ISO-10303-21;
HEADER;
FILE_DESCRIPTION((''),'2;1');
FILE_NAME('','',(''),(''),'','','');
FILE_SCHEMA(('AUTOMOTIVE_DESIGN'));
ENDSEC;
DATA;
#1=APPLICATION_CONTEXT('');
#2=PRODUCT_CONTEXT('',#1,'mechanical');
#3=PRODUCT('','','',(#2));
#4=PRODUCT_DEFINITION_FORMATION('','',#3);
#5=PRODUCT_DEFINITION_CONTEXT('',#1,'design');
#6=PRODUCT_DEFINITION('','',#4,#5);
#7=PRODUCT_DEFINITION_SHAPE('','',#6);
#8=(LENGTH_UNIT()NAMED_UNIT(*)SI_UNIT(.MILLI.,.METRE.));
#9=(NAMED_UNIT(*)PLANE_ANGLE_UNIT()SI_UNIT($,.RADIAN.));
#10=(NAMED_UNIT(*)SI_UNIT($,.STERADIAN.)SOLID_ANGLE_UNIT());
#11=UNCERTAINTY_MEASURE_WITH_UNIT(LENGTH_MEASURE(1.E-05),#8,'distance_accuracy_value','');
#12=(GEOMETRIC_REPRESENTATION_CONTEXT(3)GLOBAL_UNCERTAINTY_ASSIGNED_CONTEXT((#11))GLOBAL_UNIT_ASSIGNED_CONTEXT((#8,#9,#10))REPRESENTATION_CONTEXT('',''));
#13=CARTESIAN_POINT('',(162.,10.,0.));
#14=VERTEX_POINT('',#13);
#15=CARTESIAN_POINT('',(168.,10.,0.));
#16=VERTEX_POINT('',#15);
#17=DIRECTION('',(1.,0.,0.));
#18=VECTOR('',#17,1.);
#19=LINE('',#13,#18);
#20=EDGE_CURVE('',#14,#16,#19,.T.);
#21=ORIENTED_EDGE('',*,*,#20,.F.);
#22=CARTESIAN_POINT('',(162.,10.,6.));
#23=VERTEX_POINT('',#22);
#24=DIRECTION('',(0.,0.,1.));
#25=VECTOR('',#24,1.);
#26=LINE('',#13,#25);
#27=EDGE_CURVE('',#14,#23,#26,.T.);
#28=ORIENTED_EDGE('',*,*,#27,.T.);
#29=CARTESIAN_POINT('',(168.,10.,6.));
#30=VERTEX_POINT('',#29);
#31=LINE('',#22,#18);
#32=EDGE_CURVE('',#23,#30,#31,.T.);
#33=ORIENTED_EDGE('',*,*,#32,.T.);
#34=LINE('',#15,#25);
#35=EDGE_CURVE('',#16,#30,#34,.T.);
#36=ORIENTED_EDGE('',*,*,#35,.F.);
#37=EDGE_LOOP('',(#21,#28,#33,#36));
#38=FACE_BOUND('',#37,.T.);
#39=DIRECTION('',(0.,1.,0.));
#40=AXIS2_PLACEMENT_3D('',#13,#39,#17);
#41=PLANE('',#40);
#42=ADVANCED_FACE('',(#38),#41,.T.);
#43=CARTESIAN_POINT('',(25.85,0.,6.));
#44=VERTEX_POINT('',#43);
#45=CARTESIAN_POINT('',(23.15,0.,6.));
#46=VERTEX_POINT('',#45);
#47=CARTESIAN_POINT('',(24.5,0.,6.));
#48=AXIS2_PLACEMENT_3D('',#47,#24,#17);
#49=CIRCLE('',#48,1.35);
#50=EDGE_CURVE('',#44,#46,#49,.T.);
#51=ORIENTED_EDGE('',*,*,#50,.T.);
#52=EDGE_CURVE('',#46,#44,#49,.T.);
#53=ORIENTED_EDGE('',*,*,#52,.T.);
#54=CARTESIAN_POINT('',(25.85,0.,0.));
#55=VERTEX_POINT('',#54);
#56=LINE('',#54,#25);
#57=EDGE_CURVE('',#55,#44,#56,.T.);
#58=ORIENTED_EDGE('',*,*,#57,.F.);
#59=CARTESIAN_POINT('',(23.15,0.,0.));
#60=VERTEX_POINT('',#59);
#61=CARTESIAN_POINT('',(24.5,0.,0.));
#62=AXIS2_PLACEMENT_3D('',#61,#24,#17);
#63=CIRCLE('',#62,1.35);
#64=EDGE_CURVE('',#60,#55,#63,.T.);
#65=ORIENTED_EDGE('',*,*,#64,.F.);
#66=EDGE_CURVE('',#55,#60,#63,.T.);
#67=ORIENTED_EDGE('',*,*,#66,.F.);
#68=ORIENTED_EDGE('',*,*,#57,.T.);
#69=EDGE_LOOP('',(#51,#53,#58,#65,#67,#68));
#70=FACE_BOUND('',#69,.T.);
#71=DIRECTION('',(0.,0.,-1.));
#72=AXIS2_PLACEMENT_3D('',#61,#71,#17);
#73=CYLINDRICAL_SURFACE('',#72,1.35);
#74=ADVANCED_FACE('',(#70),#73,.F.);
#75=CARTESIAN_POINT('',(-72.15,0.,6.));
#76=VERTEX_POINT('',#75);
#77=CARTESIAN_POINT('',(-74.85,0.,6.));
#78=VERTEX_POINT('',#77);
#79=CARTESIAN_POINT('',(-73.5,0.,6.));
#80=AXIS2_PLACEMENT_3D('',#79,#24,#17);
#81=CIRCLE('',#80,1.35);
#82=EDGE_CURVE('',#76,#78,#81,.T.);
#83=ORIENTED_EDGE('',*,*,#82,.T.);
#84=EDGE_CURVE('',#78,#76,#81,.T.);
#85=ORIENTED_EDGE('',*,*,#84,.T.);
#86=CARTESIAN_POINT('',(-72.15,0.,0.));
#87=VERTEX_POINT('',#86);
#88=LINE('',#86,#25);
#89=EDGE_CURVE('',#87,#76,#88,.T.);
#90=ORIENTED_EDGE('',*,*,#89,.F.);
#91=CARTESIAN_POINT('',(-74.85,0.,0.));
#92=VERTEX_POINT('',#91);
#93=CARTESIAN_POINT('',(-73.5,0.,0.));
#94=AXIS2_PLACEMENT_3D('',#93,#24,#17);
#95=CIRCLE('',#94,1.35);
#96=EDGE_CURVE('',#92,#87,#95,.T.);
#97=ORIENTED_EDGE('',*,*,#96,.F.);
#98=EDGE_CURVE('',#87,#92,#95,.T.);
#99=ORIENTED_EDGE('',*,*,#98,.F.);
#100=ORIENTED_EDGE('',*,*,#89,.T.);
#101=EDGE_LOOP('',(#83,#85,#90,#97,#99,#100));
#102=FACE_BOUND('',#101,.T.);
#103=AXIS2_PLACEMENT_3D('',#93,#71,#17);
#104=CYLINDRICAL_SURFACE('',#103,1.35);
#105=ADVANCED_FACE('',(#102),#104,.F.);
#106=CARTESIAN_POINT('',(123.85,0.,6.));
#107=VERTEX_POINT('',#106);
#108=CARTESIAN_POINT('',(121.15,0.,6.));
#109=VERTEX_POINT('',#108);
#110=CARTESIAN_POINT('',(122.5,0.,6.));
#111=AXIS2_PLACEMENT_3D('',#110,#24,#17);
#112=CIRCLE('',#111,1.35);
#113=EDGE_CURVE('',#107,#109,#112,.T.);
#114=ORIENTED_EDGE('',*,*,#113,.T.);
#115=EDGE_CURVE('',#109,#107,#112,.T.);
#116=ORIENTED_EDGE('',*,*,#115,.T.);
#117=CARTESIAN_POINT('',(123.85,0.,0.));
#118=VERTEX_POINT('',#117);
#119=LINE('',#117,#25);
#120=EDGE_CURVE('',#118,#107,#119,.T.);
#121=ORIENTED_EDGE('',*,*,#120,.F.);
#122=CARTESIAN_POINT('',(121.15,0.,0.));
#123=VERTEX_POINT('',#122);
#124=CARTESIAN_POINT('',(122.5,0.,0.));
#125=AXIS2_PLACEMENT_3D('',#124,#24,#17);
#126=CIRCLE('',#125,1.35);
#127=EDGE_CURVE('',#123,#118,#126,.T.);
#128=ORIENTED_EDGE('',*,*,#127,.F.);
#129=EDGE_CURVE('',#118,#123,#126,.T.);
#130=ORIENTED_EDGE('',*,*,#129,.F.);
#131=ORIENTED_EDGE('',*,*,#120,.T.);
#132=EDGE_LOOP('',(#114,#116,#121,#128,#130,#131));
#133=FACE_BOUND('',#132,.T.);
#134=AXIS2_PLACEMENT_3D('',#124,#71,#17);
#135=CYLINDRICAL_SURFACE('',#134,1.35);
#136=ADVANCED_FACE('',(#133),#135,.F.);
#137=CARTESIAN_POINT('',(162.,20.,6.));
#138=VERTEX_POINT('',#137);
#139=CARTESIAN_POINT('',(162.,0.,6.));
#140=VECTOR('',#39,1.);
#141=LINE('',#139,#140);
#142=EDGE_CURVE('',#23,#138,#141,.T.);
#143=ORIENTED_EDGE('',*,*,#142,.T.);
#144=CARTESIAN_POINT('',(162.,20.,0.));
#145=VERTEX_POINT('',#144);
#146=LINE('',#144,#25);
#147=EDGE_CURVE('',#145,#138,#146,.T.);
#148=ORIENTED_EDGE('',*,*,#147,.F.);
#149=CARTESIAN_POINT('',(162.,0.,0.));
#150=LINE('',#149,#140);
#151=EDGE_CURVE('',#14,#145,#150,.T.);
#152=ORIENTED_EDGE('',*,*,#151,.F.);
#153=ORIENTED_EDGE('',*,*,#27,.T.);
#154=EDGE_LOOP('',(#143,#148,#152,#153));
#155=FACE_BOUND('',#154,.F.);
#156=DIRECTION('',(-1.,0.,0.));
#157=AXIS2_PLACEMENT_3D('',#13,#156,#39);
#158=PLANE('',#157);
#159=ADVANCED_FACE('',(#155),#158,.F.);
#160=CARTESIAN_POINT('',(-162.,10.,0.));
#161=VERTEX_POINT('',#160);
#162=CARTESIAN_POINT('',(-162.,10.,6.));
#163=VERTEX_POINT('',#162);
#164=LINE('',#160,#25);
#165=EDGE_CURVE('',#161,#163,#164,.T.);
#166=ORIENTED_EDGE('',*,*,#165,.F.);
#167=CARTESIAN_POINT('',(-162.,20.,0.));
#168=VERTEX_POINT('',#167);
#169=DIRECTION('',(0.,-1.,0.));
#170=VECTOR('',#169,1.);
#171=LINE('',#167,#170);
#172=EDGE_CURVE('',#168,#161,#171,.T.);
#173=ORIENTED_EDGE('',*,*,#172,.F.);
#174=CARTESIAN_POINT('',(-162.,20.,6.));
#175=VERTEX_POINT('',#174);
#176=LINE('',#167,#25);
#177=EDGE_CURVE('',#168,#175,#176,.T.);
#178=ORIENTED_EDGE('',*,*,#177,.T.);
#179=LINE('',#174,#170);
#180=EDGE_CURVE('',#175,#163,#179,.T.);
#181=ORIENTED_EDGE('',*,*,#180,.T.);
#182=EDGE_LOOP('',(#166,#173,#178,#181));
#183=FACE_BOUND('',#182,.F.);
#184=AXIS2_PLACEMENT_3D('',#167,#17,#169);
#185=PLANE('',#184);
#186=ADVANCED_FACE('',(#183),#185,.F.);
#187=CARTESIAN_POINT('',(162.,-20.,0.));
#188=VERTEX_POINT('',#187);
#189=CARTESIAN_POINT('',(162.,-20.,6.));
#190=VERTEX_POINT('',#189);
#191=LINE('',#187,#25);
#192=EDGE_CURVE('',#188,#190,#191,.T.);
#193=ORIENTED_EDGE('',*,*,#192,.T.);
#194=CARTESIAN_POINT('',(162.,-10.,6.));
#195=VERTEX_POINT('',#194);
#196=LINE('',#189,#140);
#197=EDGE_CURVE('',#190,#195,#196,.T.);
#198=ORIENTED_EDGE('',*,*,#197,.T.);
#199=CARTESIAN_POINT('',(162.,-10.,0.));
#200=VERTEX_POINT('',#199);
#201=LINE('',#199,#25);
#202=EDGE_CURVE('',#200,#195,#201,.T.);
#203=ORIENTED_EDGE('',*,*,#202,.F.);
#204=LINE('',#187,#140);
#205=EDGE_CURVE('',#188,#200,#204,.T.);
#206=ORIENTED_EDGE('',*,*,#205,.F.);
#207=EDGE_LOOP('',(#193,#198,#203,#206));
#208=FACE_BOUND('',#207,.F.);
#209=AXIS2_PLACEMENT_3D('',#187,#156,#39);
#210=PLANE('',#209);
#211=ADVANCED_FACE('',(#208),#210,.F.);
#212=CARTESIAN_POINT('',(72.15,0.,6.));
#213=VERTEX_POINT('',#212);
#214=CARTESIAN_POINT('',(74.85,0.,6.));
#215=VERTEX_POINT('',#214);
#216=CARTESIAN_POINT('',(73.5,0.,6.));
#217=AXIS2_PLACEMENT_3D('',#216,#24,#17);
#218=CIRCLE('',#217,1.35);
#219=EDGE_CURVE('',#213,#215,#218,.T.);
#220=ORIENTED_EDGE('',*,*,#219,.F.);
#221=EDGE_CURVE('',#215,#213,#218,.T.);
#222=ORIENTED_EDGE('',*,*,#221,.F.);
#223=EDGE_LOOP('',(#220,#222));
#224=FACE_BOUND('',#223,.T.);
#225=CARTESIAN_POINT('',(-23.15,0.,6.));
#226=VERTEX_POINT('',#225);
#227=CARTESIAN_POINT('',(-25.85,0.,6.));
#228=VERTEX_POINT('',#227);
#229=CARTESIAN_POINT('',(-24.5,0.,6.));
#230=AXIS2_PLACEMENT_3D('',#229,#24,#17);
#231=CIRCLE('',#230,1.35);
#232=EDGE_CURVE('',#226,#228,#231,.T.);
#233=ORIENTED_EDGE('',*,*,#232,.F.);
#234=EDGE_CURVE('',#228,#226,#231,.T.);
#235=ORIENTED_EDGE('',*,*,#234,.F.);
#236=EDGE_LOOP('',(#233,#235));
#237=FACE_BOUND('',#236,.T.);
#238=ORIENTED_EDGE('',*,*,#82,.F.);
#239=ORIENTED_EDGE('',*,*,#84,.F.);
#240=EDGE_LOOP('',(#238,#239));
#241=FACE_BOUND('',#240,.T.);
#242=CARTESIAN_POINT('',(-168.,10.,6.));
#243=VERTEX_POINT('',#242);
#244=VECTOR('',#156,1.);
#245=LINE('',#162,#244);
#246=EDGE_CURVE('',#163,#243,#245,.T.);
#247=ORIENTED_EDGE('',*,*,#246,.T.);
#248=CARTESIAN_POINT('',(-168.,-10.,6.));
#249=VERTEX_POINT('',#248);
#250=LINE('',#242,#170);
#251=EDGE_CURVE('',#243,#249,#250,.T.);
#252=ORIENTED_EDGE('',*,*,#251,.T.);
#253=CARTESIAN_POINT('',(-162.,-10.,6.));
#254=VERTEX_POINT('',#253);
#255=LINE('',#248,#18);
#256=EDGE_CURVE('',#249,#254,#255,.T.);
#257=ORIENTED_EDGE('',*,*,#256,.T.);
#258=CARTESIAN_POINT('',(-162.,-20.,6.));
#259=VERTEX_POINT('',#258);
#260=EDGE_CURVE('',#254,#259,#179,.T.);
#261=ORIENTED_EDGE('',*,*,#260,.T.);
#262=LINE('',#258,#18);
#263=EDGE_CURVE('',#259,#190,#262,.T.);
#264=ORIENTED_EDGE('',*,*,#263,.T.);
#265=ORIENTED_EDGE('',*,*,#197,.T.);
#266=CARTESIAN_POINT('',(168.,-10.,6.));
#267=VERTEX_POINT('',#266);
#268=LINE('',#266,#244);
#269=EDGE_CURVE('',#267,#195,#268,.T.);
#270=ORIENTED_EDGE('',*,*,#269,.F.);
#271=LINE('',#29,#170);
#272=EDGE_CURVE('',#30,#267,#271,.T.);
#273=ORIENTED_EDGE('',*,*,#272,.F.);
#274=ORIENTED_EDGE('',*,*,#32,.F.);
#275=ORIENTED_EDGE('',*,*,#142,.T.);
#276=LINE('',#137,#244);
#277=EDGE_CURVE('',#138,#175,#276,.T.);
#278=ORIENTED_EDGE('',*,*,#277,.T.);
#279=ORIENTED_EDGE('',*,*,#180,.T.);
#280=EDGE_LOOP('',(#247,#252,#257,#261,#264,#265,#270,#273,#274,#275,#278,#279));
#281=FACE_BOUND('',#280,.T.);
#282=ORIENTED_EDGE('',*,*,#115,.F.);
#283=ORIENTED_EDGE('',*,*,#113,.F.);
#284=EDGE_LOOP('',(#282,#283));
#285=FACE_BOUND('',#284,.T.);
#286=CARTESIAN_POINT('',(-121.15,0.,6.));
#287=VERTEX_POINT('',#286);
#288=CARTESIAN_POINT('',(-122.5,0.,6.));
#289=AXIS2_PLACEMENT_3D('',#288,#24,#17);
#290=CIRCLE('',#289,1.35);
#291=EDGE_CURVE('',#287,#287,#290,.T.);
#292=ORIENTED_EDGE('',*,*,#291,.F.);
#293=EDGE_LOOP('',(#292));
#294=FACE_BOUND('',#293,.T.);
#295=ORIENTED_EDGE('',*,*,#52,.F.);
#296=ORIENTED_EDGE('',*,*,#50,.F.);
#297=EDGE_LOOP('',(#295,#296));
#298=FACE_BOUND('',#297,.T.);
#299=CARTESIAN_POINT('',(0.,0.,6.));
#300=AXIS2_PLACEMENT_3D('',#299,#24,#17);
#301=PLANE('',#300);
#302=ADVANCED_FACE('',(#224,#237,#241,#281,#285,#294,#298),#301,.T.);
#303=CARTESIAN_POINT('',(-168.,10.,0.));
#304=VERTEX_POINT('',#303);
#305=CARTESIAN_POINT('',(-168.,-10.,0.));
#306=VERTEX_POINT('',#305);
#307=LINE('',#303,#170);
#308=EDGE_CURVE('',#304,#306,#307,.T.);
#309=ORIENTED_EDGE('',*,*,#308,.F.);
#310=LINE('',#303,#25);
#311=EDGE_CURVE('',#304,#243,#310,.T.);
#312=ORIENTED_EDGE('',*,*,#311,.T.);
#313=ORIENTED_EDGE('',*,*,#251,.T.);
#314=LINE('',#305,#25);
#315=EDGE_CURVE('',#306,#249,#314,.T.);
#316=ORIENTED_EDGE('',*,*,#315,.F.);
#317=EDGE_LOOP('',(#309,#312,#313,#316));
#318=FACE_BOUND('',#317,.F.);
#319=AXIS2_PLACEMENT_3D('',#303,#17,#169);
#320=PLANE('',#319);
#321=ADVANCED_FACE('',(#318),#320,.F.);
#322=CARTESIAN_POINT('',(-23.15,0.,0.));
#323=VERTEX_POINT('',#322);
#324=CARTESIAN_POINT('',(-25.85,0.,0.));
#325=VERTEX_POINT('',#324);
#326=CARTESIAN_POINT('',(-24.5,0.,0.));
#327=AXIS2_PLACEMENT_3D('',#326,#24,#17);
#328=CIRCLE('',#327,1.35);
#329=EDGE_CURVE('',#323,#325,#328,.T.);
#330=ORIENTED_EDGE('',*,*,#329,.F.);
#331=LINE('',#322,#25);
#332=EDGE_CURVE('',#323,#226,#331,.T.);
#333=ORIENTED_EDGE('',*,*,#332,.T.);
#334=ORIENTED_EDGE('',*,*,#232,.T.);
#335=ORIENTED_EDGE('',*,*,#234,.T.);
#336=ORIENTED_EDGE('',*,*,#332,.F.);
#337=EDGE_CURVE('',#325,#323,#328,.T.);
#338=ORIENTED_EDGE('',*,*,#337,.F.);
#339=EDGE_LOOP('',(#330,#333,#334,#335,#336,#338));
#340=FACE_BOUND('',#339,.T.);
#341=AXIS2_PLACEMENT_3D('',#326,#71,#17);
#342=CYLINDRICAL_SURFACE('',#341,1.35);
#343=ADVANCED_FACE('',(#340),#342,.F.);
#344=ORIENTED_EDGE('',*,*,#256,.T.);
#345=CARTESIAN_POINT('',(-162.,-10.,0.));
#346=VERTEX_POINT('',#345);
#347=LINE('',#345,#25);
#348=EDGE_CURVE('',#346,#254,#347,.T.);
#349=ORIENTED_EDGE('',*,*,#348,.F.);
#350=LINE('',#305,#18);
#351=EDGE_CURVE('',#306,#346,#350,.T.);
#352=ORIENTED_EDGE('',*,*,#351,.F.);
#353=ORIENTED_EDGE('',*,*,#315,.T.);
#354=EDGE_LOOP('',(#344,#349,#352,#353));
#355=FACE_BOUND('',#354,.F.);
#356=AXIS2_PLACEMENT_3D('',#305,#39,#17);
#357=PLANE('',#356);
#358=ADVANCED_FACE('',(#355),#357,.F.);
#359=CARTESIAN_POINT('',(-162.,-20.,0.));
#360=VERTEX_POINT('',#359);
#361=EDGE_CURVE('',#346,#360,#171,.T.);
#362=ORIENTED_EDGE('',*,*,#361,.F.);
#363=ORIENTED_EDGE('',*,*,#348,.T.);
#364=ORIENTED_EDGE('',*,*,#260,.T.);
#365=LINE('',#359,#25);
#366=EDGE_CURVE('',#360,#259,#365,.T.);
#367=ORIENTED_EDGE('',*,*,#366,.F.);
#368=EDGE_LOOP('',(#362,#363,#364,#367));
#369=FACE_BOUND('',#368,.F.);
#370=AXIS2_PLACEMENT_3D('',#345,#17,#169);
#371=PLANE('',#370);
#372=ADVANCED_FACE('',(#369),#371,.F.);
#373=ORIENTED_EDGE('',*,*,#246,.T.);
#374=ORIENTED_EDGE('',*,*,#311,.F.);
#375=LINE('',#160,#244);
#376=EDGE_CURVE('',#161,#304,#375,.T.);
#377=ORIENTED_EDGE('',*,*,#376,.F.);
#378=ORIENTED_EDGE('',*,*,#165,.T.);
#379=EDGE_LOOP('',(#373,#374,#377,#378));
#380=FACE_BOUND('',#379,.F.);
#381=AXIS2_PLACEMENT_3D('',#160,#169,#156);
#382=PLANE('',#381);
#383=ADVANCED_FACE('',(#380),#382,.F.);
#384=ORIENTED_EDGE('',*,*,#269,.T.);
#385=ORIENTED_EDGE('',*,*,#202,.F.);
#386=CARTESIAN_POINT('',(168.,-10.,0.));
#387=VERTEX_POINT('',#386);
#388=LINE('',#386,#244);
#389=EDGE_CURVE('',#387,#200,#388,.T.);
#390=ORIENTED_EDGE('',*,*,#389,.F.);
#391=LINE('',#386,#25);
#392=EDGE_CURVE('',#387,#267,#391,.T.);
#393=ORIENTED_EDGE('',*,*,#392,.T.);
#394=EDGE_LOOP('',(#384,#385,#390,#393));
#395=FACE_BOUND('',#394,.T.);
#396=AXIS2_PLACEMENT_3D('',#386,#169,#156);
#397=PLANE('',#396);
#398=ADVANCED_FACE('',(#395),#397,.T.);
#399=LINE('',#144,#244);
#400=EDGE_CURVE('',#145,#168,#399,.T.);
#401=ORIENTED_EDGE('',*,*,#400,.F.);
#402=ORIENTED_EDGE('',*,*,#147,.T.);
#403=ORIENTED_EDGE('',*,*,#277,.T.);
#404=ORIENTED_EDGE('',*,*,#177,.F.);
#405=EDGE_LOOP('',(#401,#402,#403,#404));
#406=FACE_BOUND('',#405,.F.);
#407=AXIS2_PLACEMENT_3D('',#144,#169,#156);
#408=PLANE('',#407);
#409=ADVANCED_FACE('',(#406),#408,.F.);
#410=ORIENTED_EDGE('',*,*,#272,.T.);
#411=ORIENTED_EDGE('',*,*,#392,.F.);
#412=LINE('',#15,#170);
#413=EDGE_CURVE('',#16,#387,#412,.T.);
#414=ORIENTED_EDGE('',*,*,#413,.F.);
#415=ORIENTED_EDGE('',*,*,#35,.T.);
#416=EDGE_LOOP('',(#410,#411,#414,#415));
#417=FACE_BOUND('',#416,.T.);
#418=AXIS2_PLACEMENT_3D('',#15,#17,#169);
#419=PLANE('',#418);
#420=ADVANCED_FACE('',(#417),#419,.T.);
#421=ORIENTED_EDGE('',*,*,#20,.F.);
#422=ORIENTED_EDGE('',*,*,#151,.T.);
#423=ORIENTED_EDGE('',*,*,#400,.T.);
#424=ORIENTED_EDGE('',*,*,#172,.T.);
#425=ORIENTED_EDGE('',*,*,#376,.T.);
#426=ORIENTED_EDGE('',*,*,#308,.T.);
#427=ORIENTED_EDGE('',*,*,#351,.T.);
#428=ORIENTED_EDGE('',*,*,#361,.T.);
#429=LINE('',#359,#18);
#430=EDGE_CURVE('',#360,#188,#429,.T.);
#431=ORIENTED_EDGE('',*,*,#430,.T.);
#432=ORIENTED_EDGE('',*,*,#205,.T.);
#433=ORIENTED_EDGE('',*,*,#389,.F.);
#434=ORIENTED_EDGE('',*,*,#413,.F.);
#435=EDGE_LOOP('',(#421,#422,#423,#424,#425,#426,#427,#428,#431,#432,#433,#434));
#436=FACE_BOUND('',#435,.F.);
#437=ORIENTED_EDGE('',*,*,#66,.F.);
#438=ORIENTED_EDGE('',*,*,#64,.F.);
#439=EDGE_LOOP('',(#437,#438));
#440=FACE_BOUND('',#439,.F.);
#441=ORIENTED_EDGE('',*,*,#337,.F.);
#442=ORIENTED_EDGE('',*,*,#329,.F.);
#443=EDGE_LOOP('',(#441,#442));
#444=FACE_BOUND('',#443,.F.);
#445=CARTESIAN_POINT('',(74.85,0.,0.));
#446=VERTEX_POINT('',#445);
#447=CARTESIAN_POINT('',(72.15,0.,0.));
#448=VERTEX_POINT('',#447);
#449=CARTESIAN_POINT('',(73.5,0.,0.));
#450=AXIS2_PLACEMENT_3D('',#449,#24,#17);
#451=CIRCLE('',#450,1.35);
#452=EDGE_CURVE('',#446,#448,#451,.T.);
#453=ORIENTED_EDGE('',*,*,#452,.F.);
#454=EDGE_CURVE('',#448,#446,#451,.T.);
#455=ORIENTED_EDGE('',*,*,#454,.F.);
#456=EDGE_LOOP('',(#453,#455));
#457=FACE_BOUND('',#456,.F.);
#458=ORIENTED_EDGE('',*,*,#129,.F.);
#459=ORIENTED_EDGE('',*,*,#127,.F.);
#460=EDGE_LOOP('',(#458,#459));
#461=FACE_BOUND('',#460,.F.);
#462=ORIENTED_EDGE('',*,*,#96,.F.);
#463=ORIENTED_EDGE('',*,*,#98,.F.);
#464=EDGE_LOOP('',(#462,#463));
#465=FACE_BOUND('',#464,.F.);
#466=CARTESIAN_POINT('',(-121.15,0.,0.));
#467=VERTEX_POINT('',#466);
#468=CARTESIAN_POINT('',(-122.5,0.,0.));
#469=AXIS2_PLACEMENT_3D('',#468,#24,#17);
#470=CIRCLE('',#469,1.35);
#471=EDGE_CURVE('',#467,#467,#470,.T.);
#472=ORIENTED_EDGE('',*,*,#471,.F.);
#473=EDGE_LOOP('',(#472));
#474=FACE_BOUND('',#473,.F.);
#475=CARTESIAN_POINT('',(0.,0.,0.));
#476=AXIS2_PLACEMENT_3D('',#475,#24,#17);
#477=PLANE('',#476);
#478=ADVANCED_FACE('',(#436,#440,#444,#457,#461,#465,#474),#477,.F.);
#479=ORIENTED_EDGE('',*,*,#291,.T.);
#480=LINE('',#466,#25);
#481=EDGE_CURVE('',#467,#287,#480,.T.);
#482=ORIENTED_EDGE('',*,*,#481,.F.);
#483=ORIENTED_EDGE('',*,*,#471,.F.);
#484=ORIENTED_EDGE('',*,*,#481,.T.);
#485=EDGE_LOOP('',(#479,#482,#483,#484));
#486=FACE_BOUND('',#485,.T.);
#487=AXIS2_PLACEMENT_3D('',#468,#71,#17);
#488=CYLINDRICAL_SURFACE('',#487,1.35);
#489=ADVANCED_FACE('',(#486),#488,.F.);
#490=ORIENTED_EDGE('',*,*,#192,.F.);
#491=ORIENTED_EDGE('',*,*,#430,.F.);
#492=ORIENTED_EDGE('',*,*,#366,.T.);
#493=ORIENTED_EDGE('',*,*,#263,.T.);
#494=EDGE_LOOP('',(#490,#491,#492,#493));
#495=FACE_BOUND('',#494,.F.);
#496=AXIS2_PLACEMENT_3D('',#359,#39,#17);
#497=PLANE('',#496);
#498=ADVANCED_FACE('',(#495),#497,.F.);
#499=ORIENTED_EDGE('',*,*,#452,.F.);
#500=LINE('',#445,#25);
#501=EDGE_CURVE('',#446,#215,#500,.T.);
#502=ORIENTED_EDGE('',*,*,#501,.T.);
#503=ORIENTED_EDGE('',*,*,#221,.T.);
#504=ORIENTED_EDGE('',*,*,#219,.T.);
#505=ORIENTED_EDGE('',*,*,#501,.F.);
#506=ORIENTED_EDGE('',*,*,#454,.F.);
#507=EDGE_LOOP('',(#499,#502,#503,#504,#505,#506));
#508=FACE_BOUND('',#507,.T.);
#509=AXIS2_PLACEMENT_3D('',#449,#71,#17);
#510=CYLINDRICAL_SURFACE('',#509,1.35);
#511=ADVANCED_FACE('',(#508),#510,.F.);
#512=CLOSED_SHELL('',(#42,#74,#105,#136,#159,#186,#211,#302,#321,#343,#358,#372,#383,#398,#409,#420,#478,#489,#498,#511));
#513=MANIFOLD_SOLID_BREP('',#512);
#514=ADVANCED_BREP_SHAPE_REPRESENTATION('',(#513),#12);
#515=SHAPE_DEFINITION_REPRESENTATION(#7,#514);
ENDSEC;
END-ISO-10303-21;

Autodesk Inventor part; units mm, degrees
ref_plane "YZ Plane" through (0, 0, 0) normal (1, 0, 0) x (0, 1, 0)
ref_plane "XZ Plane" through (0, 0, 0) normal (0, 1, 0) x (-1, 0, 0)
ref_plane "XY Plane" through (0, 0, 0) normal (0, 0, 1) x (1, 0, 0)
sketch "Sketch1" plane through (0, 0, 0) normal (0, 0, 1) x (1, 0, 0)
  line L0 (0, 0) -> (162, 0)
  line L1 (162, 0) -> (162, 20)
  line L2 (-162, -20) -> (162, -20)
  line L3 (162, -20) -> (162, 20)
  line L4 (162, 20) -> (-162, 20)
  line L5 (-162, 20) -> (-162, -20)
  line L6 (-162, -20) -> (162, 20) construction
  line L7 (162, -20) -> (-162, 20) construction
  line L8 (0, 0) -> (24.5, 0)
  line L9 (0, 0) -> (-24.5, 0)
  line L10 (162, 0) -> (165, 0)
  line L11 (162, 0) -> (162, 10)
  line L12 (168, -10) -> (162, -10)
  line L13 (162, -10) -> (162, 10)
  line L14 (162, 10) -> (168, 10)
  line L15 (168, 10) -> (168, -10)
  line L16 (168, -10) -> (162, 10) construction
  line L17 (162, -10) -> (168, 10) construction
  circle A0 centre (24.5, 0) radius 1.35
  circle A1 centre (-24.5, 0) radius 1.35
  line L18 (-162, 0) -> (-165, 0)
  line L19 (-162, 0) -> (-162, 10)
  line L20 (-168, -10) -> (-162, -10)
  line L21 (-162, -10) -> (-162, 10)
  line L22 (-162, 10) -> (-168, 10)
  line L23 (-168, 10) -> (-168, -10)
  line L24 (-168, -10) -> (-162, 10) construction
  line L25 (-162, -10) -> (-168, 10) construction
  line L26 (-24.5, 0) -> (-73.5, 0)
  line L27 (24.5, 0) -> (73.5, 0)
  circle A2 centre (-73.5, 0) radius 1.35
  circle A3 centre (73.5, 0) radius 1.35
  line L28 (73.5, 0) -> (122.5, 0)
  line L29 (-73.5, 0) -> (-122.5, 0)
  circle A4 centre (-122.5, 0) radius 1.35
  circle A5 centre (122.5, 0) radius 1.35
  dimension "d13" = 162
  dimension "d14" = 20
  dimension "d15" = 24.5
  dimension "d16" = 24.5
  dimension "d17" = 3
  dimension "d18" = 10
  dimension "d19" = 2.7
  dimension "d20" = 2.7
  dimension "d21" = 3
  dimension "d22" = 10
  dimension "d25" = 49
  dimension "d26" = 49
  dimension "d27" = 2.7
  dimension "d28" = 2.7
  dimension "d29" = 49
  dimension "d30" = 49
  dimension "d31" = 2.7
  dimension "d32" = 2.7
extrude "Extrusion2" add sketch "Sketch1" along normal blind 6
properties part number "pi_holder"
